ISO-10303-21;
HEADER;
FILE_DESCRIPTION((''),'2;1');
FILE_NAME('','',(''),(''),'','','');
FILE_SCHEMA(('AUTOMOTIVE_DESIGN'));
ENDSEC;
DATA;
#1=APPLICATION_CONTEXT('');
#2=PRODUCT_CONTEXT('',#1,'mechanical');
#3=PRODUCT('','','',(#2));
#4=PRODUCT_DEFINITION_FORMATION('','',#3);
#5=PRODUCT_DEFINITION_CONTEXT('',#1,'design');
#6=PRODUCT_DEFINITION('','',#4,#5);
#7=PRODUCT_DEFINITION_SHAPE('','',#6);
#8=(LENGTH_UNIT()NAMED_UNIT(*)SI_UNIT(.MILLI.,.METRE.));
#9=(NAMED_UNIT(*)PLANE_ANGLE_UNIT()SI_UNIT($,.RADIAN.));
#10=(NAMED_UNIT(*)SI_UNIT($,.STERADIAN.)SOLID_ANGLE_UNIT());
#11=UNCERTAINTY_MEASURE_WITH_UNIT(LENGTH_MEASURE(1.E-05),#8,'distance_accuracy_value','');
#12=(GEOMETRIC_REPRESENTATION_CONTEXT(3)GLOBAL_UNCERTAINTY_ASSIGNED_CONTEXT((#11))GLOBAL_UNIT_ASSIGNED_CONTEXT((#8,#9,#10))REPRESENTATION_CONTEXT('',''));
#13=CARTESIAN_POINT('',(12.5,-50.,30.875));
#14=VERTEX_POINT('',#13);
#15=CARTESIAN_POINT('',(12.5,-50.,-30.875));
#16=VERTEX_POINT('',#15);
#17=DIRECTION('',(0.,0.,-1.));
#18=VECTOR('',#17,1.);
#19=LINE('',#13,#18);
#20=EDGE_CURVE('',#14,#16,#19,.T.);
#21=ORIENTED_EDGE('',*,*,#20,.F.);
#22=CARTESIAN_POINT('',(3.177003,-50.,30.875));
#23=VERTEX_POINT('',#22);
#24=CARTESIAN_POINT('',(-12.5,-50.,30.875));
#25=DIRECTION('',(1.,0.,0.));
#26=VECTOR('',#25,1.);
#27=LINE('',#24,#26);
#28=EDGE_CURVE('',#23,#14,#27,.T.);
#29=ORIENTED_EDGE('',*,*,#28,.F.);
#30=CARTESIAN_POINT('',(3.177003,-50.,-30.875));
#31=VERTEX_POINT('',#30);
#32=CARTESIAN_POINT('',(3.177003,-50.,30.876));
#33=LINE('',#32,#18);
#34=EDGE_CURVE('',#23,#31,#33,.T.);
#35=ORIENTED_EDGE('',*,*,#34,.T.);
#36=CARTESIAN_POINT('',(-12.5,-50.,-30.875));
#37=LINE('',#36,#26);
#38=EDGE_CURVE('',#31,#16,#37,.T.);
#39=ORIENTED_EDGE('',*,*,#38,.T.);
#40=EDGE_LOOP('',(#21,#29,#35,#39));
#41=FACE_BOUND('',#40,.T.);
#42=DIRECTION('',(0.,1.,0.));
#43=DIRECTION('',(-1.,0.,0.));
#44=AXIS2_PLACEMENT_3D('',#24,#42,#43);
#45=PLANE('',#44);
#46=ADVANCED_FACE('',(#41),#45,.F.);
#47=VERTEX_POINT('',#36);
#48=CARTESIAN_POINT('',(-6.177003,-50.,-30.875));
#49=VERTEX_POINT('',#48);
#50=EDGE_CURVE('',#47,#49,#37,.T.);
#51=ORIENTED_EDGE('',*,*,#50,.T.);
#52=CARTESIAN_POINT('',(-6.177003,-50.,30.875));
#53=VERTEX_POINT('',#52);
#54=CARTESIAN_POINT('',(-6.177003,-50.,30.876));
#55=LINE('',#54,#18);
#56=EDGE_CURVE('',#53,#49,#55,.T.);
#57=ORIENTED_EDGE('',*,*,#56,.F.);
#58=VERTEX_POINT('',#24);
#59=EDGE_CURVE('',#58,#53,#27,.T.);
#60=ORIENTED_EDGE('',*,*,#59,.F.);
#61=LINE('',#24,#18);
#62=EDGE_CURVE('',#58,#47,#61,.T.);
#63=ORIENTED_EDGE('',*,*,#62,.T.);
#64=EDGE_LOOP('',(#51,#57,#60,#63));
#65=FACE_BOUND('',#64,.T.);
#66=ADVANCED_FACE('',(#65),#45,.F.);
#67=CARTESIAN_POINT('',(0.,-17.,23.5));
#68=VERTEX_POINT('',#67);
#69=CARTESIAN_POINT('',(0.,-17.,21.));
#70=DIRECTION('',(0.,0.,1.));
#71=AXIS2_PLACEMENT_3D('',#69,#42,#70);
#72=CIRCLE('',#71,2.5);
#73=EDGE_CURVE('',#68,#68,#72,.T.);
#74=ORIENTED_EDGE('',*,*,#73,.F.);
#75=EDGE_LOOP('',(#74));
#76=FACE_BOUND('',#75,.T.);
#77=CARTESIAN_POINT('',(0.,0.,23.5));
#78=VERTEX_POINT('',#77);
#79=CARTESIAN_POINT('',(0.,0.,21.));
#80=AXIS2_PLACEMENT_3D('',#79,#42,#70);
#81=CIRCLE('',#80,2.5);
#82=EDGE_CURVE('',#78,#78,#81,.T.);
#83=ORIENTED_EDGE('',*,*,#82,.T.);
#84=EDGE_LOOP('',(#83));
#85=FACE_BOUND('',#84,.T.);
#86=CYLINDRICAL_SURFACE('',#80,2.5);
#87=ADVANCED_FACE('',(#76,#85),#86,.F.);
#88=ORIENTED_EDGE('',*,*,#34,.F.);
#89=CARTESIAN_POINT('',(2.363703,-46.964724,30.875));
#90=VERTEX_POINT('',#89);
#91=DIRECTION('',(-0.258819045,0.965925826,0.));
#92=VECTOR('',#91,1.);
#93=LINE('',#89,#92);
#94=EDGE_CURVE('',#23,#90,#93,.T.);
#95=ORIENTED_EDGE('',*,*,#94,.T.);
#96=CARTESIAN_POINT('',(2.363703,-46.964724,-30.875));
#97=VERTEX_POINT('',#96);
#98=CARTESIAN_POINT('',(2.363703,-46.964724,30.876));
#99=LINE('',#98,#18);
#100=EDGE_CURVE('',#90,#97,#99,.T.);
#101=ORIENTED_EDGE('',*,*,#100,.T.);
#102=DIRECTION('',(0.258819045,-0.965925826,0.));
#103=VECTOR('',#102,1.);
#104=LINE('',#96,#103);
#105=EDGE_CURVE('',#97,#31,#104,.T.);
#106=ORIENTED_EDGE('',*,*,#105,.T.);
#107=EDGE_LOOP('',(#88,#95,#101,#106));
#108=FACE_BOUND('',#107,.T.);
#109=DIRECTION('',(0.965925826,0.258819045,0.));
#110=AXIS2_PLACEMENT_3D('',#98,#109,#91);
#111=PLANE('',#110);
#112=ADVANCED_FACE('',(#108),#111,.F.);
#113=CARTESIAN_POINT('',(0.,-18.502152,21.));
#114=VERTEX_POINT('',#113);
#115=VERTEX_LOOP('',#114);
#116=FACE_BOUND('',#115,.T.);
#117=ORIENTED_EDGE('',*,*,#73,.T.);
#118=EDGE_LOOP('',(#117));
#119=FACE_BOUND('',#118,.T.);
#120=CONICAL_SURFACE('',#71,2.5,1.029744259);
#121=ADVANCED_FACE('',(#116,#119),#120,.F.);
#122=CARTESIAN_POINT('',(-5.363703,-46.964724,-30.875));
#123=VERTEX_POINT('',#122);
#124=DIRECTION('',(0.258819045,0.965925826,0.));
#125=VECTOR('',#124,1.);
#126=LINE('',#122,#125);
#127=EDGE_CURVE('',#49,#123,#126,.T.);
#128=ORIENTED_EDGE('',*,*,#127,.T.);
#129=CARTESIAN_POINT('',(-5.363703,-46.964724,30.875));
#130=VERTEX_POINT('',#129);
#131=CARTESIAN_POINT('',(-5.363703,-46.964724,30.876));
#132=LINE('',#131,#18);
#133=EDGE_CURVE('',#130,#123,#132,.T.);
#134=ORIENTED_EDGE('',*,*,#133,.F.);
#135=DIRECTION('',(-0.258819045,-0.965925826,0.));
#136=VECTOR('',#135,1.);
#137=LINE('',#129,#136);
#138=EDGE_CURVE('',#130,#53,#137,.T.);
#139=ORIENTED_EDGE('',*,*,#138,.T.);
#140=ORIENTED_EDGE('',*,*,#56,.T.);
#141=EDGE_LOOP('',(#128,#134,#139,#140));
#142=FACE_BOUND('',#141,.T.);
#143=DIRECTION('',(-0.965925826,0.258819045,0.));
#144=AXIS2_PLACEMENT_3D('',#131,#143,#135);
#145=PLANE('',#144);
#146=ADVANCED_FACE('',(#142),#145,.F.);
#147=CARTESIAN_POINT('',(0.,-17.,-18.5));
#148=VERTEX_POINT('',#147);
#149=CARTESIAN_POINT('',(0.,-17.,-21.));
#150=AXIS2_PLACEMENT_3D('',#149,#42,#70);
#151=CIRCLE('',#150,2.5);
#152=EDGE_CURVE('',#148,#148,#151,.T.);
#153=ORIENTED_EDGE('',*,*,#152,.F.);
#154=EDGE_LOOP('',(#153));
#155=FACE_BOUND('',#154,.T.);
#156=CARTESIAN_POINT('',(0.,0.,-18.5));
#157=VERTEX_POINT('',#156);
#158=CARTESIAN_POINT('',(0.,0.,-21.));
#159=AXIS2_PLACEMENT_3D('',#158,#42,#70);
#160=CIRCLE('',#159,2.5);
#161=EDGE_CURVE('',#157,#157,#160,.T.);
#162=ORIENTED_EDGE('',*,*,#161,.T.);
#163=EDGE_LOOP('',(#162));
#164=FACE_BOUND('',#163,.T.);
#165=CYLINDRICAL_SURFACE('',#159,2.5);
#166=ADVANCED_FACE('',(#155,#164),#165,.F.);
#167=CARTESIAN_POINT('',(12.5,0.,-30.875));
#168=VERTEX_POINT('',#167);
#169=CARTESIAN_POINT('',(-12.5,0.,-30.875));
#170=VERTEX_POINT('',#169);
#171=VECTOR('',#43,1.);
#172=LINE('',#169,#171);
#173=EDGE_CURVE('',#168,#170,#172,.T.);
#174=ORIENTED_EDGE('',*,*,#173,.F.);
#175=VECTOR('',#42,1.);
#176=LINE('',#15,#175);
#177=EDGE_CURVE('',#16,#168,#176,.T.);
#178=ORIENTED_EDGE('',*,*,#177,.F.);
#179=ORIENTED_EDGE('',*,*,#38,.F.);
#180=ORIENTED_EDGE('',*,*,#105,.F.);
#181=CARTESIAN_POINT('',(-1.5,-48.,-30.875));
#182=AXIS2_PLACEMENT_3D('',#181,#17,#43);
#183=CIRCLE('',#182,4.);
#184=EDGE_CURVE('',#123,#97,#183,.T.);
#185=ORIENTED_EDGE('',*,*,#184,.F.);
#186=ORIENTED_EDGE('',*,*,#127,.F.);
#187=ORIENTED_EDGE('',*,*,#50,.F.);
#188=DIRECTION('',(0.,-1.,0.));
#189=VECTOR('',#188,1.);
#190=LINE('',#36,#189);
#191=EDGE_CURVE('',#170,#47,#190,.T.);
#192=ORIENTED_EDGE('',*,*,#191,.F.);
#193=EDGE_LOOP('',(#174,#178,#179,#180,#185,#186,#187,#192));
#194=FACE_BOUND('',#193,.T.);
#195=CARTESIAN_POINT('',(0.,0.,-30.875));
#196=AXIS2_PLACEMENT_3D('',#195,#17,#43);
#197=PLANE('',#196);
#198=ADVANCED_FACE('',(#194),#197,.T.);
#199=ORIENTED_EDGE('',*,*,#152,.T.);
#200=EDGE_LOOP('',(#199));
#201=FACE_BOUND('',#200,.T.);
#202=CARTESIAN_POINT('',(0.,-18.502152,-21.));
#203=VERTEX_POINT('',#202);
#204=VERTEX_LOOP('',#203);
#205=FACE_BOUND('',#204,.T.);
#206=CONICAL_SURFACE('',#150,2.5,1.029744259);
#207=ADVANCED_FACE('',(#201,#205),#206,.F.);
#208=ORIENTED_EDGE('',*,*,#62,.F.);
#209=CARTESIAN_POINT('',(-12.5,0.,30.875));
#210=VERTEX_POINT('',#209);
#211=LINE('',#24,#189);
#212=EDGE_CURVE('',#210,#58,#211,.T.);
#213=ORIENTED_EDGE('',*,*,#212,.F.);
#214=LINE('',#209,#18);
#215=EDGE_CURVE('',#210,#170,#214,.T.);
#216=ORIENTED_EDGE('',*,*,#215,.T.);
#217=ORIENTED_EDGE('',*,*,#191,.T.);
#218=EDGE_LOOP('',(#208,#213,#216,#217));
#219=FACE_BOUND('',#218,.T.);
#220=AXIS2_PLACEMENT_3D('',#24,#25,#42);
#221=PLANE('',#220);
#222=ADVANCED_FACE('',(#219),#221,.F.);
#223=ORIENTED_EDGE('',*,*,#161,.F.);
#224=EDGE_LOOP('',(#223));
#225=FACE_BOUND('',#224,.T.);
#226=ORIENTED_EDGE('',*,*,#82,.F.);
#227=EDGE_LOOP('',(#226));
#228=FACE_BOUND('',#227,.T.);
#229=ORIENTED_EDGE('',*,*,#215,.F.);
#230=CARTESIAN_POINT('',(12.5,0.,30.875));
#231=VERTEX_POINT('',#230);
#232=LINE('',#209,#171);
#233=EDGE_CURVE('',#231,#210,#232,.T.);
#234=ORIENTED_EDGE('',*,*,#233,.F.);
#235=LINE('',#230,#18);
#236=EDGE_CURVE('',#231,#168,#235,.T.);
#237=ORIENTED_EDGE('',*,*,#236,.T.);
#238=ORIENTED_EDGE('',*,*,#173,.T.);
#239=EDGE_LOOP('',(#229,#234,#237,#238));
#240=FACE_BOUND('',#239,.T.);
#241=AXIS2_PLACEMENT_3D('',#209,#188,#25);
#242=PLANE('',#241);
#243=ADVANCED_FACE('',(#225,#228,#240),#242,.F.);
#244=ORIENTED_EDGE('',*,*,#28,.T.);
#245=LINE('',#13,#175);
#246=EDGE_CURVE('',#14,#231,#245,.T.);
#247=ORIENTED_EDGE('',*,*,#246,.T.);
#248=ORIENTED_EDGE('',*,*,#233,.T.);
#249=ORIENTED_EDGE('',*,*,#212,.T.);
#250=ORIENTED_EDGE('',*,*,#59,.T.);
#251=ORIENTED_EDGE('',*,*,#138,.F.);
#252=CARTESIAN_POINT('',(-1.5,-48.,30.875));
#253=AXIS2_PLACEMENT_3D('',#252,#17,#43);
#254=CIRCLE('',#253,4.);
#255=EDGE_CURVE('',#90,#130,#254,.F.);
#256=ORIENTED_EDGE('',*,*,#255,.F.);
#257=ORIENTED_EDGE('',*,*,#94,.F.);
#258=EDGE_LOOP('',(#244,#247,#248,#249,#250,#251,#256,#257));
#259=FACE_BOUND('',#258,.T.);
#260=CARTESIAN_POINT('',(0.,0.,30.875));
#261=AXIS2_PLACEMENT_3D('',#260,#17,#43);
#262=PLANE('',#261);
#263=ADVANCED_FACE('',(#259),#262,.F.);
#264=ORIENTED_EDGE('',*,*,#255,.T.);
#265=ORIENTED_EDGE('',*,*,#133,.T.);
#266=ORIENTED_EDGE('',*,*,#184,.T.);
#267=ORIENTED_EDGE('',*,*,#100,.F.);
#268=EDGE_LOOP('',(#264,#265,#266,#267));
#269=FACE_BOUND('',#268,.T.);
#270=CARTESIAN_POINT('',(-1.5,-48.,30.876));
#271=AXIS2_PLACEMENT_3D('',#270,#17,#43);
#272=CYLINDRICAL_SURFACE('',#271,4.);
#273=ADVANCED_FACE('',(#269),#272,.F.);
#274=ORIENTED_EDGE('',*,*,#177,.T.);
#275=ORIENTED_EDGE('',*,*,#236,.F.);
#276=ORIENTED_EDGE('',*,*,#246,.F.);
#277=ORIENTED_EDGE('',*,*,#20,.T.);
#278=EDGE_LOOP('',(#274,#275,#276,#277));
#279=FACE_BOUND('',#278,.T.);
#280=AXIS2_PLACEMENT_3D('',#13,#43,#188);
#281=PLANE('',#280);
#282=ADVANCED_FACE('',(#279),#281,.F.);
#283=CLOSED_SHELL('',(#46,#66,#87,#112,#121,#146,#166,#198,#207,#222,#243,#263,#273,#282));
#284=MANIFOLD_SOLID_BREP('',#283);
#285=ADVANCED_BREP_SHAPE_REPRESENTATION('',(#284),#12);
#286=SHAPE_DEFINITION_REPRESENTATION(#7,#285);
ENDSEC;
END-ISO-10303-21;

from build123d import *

# Parameters (mm, degrees)
SKETCH1_W             = 25
SKETCH1_H             = 50
BOSS_EXTRUDE1_DEPTH   = 30.875
CUT_EXTRUDE1_REACH    = 82.432
M6_TAPPED_HOLE1_D     = 5
M6_TAPPED_HOLE1_DEPTH = 17
M6_TAPPED_HOLE1_TIP   = 1.502151548


with BuildPart() as part:
    # Sketch1 → Boss-Extrude1 (new, symmetric)
    with BuildSketch(Plane.XY):
        with Locations((0, -25)):
            Rectangle(SKETCH1_W, SKETCH1_H)
    extrude(amount=BOSS_EXTRUDE1_DEPTH, both=True)

    # Sketch2 → Cut-Extrude1 (cut, up to next)
    with BuildSketch(Plane(origin=(0, 0, -30.875), x_dir=(-1, 0, 0), z_dir=(0, 0, -1)), mode=Mode.PRIVATE) as cut_extrude1_sk1:
        with BuildLine():
            Line((-2.363703305, -46.96472382), (-3.177003107, -50))
            Line((-3.177003107, -50), (6.177003107, -50))
            Line((6.177003107, -50), (5.363703305, -46.96472382))
            ThreePointArc((5.363703305, -46.96472382), (1.5, -44), (-2.363703305, -46.96472382))
        make_face()
    cut_extrude1_tool1 = extrude(cut_extrude1_sk1.sketch, amount=-CUT_EXTRUDE1_REACH, mode=Mode.PRIVATE) & part.part
    add(cut_extrude1_tool1.solids().sort_by_distance((-1.5, -47.423831, -30.875))[0], mode=Mode.SUBTRACT)

    # M6 Tapped Hole1
    with Locations(Plane(origin=(0, 0, 0), x_dir=(1, 0, 0), z_dir=(0, 1, 0))):
        with Locations((0, 21), (0, -21)):
            Hole(M6_TAPPED_HOLE1_D / 2, depth=M6_TAPPED_HOLE1_DEPTH)
            with Locations((0, 0, -(M6_TAPPED_HOLE1_DEPTH + M6_TAPPED_HOLE1_TIP / 2))):  # 118° drill point
                Cone(0, M6_TAPPED_HOLE1_D / 2, M6_TAPPED_HOLE1_TIP, mode=Mode.SUBTRACT)


solid = part.part
